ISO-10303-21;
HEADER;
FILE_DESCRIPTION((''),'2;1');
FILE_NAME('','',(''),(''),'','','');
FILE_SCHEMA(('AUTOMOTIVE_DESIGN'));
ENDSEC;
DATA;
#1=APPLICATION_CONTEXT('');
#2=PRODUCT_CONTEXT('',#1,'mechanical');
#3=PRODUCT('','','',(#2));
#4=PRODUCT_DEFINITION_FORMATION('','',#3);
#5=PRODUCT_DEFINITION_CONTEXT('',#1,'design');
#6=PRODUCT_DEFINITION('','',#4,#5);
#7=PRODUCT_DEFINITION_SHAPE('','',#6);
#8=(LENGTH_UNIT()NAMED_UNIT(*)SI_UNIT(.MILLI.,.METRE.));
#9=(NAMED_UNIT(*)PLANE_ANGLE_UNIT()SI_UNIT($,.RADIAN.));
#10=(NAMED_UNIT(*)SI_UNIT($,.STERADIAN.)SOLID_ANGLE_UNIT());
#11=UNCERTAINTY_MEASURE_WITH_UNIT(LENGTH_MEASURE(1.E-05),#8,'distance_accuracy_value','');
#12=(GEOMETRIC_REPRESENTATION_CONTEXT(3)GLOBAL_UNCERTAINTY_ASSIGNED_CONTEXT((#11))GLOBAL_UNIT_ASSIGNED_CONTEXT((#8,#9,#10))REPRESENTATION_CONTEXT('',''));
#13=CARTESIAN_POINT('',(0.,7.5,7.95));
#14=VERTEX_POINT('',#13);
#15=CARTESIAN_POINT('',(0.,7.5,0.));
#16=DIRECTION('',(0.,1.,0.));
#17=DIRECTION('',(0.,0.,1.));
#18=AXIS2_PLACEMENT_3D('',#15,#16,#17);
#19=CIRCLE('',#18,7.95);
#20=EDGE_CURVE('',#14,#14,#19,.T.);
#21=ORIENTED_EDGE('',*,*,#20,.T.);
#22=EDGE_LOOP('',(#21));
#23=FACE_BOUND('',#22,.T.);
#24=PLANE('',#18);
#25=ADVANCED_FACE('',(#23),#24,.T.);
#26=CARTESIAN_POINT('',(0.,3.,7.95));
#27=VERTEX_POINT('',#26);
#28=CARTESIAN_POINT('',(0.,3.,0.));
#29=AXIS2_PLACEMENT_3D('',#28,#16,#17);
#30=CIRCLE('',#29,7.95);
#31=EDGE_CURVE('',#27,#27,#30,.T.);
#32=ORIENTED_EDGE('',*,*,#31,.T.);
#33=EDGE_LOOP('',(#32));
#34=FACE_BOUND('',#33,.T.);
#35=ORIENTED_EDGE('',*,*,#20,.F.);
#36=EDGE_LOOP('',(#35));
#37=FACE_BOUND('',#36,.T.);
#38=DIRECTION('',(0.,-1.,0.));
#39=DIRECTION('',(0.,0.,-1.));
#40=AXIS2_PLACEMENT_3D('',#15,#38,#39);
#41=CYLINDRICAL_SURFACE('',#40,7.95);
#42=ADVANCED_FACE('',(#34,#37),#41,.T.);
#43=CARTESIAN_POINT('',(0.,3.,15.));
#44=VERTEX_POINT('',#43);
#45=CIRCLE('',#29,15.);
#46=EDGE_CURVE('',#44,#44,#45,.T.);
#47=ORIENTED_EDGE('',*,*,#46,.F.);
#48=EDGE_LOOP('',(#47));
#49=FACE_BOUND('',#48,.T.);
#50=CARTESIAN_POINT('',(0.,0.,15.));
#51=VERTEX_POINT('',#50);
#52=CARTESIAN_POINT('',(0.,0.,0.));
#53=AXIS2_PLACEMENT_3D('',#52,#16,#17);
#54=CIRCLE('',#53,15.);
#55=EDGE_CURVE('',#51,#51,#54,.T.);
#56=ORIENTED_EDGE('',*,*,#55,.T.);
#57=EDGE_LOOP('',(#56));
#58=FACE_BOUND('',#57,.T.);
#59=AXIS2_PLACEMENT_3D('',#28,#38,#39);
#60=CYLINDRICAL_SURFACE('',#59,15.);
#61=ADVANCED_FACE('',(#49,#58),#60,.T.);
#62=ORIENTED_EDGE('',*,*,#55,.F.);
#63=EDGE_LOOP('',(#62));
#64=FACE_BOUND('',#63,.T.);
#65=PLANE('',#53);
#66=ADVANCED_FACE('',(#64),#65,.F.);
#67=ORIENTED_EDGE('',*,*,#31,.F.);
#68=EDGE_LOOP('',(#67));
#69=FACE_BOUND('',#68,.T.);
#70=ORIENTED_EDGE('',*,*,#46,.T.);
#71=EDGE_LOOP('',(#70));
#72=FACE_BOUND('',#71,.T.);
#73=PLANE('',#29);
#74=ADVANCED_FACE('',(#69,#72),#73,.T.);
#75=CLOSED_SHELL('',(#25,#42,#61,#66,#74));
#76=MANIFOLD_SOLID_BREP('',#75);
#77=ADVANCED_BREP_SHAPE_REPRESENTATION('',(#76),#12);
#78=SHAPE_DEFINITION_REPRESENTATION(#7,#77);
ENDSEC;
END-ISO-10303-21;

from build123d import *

# Parameters (mm, degrees)
SKETCH_1_R      = 15
EXTRUDE_1_DEPTH = 3
SKETCH_2_R      = 7.95
EXTRUDE_2_DEPTH = 4.5


with BuildPart() as part:
    # 草图1 → 凸台-拉伸1 (new body)
    with BuildSketch(Plane(origin=(0, 0, 0), x_dir=(1, 0, 0), z_dir=(0, 1, 0))):
        Circle(SKETCH_1_R)
    extrude(amount=EXTRUDE_1_DEPTH)

    # 草图2 → 凸台-拉伸2 (add)
    with BuildSketch(Plane(origin=(0, 3, 0), x_dir=(1, 0, 0), z_dir=(0, 1, 0))):
        Circle(SKETCH_2_R)
    extrude(amount=EXTRUDE_2_DEPTH)


solid = part.part
